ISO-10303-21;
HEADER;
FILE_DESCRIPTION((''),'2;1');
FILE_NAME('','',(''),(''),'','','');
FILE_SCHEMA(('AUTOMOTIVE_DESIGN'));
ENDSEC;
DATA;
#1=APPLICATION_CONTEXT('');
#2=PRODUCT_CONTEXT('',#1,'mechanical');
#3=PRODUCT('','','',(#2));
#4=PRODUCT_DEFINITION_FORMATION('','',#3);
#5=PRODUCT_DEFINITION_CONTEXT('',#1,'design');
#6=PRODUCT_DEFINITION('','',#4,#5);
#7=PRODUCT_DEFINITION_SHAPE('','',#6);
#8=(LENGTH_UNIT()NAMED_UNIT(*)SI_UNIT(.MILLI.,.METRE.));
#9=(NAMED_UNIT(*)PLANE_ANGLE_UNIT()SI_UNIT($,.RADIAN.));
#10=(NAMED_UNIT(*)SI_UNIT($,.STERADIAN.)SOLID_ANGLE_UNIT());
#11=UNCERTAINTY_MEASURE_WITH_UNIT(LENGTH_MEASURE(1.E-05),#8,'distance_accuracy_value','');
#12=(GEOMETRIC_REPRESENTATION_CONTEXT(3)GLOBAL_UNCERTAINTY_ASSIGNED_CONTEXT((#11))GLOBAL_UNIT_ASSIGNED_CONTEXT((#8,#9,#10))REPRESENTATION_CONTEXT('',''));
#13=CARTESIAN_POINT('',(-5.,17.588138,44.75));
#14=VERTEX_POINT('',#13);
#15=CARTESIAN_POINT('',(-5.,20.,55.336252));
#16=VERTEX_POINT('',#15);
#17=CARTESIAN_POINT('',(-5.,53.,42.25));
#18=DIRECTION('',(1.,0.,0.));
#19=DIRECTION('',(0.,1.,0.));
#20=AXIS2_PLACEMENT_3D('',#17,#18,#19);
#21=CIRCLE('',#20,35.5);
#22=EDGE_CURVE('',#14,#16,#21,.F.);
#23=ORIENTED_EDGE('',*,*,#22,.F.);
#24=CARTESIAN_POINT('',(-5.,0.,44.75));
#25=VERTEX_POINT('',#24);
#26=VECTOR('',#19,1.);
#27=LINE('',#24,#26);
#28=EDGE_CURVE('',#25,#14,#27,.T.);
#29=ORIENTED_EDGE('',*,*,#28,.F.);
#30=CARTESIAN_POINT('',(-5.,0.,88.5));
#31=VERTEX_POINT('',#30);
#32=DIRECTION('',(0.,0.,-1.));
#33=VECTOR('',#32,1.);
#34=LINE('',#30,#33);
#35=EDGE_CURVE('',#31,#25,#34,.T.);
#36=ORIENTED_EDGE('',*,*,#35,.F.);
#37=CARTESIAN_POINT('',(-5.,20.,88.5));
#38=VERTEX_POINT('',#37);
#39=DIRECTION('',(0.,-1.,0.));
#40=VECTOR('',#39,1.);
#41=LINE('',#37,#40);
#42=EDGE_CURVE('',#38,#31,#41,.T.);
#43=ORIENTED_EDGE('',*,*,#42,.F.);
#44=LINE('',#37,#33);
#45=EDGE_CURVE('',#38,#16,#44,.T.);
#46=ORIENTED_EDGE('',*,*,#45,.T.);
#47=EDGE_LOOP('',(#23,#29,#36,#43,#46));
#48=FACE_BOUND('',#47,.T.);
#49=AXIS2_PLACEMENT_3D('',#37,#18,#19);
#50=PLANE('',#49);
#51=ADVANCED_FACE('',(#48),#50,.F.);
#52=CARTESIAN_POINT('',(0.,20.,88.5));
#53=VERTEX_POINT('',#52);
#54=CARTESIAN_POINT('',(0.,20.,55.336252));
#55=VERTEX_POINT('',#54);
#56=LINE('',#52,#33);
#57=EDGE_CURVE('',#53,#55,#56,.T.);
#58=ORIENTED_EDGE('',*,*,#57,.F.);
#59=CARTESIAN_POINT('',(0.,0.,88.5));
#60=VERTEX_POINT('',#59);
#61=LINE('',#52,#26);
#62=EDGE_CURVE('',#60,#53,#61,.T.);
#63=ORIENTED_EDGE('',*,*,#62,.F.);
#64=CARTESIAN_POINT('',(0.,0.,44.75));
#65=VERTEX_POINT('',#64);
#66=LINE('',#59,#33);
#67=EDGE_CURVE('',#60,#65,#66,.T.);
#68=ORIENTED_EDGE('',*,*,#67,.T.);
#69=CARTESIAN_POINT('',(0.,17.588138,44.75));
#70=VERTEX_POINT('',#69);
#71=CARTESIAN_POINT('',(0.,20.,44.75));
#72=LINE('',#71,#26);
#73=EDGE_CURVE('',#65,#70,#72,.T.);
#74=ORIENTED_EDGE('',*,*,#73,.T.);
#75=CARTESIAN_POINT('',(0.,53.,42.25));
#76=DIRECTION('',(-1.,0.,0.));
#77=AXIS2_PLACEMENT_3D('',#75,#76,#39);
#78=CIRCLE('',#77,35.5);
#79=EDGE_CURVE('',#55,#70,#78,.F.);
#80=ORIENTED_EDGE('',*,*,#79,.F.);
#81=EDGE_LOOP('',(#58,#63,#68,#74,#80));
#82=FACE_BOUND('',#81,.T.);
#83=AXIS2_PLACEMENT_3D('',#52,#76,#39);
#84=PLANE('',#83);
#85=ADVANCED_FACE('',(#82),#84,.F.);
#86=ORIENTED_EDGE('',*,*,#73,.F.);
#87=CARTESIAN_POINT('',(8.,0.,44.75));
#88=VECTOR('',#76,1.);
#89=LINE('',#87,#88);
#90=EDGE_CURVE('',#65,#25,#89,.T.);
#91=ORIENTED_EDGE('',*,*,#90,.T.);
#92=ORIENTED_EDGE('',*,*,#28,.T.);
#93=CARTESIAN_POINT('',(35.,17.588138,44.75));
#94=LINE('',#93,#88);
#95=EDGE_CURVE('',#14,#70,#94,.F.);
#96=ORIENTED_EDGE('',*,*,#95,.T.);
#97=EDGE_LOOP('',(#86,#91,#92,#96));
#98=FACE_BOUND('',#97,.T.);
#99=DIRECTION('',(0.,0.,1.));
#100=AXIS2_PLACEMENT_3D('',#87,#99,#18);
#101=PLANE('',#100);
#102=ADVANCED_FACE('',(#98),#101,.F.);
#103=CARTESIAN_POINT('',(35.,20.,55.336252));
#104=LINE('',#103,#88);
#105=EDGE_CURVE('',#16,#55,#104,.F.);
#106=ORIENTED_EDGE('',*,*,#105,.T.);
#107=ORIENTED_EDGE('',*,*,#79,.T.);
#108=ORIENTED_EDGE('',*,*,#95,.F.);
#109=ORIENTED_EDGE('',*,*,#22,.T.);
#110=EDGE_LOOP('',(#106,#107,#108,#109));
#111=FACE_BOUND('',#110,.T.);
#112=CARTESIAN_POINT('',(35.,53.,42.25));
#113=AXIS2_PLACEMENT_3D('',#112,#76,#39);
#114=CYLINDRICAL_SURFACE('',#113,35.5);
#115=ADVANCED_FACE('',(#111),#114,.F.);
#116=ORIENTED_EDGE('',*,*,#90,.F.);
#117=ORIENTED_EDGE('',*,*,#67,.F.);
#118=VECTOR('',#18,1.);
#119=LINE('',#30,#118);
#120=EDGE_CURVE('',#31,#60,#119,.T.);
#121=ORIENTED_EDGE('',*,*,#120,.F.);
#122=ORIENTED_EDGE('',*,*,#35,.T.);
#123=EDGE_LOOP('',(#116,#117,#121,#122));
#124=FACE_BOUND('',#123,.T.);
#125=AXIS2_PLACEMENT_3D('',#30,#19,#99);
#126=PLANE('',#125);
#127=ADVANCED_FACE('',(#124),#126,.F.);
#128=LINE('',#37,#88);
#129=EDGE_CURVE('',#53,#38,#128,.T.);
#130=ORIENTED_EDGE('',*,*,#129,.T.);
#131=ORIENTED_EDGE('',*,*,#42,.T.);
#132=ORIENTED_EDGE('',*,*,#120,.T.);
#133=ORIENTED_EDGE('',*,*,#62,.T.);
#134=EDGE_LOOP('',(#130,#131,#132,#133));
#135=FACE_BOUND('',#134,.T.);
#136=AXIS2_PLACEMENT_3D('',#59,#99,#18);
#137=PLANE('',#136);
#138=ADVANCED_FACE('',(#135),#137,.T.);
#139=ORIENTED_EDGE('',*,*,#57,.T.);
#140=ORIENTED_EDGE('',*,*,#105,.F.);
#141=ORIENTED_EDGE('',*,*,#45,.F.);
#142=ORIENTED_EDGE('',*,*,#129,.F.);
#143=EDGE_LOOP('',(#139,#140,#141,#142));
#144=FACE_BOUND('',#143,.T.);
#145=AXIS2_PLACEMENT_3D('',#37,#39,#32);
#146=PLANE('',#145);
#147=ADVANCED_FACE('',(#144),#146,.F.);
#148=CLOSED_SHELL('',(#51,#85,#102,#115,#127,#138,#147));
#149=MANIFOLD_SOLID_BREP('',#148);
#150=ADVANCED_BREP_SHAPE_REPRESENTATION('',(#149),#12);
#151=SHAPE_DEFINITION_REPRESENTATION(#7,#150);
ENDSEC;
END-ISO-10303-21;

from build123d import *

# Parameters (mm, degrees)
SKETCH1_W               = 5
SKETCH1_H               = 20
BOSS_EXTRUDE1_DEPTH     = 88.5
CUT_EXTRUDE2_DEPTH      = 35
CUT_EXTRUDE2_DEPTH_BACK = 35
SKETCH5_R               = 35.5
SKETCH2_W               = 5
SKETCH2_H               = 20
CUT_EXTRUDE3_DEPTH      = 13
SKETCH8_W               = 39.75
SKETCH8_H               = 20
CUT_EXTRUDE4_DEPTH      = 13


with BuildPart() as part:
    # Sketch1 → Boss-Extrude1 (new body)
    with BuildSketch(Plane.XY):
        with Locations((-2.5, 10)):
            Rectangle(SKETCH1_W, SKETCH1_H)
    extrude(amount=BOSS_EXTRUDE1_DEPTH)

    # Sketch5 → Cut-Extrude2 (cut, two sides: drawn at the far end of the back side and taken through both)
    with BuildSketch(Plane(origin=(0, 0, 0), x_dir=(0, 0, -1), z_dir=(1, 0, 0)).offset(-CUT_EXTRUDE2_DEPTH_BACK)):
        with Locations((-42.25, 53)):
            Circle(SKETCH5_R)
    extrude(amount=CUT_EXTRUDE2_DEPTH + CUT_EXTRUDE2_DEPTH_BACK, mode=Mode.SUBTRACT)

    # Sketch2 → Cut-Extrude3 (cut)
    with BuildSketch(Plane.ZY.offset(5)):
        with Locations((42.25, 10)):
            Rectangle(SKETCH2_W, SKETCH2_H)
    extrude(amount=-CUT_EXTRUDE3_DEPTH, mode=Mode.SUBTRACT)


with BuildPart() as cut_extrude3_piece_1:
    # of the separate pieces the step leaves, piece 1, a body of its own (cut_extrude3_pieces)
    add(part.part.solids().sort_by_distance((0, 0, 44.75))[0])


with BuildPart() as cut_extrude3_piece_2:
    # of the separate pieces the step leaves, piece 2, a body of its own (cut_extrude3_pieces)
    add(part.part.solids().sort_by_distance((-5, 20, 0))[0])

    # Sketch8 → Cut-Extrude4 (cut)
    with BuildSketch(Plane.ZY.offset(5)):
        with Locations((19.875, 10)):
            Rectangle(SKETCH8_W, SKETCH8_H)
    extrude(amount=-CUT_EXTRUDE4_DEPTH, mode=Mode.SUBTRACT)


solid = cut_extrude3_piece_1.part
